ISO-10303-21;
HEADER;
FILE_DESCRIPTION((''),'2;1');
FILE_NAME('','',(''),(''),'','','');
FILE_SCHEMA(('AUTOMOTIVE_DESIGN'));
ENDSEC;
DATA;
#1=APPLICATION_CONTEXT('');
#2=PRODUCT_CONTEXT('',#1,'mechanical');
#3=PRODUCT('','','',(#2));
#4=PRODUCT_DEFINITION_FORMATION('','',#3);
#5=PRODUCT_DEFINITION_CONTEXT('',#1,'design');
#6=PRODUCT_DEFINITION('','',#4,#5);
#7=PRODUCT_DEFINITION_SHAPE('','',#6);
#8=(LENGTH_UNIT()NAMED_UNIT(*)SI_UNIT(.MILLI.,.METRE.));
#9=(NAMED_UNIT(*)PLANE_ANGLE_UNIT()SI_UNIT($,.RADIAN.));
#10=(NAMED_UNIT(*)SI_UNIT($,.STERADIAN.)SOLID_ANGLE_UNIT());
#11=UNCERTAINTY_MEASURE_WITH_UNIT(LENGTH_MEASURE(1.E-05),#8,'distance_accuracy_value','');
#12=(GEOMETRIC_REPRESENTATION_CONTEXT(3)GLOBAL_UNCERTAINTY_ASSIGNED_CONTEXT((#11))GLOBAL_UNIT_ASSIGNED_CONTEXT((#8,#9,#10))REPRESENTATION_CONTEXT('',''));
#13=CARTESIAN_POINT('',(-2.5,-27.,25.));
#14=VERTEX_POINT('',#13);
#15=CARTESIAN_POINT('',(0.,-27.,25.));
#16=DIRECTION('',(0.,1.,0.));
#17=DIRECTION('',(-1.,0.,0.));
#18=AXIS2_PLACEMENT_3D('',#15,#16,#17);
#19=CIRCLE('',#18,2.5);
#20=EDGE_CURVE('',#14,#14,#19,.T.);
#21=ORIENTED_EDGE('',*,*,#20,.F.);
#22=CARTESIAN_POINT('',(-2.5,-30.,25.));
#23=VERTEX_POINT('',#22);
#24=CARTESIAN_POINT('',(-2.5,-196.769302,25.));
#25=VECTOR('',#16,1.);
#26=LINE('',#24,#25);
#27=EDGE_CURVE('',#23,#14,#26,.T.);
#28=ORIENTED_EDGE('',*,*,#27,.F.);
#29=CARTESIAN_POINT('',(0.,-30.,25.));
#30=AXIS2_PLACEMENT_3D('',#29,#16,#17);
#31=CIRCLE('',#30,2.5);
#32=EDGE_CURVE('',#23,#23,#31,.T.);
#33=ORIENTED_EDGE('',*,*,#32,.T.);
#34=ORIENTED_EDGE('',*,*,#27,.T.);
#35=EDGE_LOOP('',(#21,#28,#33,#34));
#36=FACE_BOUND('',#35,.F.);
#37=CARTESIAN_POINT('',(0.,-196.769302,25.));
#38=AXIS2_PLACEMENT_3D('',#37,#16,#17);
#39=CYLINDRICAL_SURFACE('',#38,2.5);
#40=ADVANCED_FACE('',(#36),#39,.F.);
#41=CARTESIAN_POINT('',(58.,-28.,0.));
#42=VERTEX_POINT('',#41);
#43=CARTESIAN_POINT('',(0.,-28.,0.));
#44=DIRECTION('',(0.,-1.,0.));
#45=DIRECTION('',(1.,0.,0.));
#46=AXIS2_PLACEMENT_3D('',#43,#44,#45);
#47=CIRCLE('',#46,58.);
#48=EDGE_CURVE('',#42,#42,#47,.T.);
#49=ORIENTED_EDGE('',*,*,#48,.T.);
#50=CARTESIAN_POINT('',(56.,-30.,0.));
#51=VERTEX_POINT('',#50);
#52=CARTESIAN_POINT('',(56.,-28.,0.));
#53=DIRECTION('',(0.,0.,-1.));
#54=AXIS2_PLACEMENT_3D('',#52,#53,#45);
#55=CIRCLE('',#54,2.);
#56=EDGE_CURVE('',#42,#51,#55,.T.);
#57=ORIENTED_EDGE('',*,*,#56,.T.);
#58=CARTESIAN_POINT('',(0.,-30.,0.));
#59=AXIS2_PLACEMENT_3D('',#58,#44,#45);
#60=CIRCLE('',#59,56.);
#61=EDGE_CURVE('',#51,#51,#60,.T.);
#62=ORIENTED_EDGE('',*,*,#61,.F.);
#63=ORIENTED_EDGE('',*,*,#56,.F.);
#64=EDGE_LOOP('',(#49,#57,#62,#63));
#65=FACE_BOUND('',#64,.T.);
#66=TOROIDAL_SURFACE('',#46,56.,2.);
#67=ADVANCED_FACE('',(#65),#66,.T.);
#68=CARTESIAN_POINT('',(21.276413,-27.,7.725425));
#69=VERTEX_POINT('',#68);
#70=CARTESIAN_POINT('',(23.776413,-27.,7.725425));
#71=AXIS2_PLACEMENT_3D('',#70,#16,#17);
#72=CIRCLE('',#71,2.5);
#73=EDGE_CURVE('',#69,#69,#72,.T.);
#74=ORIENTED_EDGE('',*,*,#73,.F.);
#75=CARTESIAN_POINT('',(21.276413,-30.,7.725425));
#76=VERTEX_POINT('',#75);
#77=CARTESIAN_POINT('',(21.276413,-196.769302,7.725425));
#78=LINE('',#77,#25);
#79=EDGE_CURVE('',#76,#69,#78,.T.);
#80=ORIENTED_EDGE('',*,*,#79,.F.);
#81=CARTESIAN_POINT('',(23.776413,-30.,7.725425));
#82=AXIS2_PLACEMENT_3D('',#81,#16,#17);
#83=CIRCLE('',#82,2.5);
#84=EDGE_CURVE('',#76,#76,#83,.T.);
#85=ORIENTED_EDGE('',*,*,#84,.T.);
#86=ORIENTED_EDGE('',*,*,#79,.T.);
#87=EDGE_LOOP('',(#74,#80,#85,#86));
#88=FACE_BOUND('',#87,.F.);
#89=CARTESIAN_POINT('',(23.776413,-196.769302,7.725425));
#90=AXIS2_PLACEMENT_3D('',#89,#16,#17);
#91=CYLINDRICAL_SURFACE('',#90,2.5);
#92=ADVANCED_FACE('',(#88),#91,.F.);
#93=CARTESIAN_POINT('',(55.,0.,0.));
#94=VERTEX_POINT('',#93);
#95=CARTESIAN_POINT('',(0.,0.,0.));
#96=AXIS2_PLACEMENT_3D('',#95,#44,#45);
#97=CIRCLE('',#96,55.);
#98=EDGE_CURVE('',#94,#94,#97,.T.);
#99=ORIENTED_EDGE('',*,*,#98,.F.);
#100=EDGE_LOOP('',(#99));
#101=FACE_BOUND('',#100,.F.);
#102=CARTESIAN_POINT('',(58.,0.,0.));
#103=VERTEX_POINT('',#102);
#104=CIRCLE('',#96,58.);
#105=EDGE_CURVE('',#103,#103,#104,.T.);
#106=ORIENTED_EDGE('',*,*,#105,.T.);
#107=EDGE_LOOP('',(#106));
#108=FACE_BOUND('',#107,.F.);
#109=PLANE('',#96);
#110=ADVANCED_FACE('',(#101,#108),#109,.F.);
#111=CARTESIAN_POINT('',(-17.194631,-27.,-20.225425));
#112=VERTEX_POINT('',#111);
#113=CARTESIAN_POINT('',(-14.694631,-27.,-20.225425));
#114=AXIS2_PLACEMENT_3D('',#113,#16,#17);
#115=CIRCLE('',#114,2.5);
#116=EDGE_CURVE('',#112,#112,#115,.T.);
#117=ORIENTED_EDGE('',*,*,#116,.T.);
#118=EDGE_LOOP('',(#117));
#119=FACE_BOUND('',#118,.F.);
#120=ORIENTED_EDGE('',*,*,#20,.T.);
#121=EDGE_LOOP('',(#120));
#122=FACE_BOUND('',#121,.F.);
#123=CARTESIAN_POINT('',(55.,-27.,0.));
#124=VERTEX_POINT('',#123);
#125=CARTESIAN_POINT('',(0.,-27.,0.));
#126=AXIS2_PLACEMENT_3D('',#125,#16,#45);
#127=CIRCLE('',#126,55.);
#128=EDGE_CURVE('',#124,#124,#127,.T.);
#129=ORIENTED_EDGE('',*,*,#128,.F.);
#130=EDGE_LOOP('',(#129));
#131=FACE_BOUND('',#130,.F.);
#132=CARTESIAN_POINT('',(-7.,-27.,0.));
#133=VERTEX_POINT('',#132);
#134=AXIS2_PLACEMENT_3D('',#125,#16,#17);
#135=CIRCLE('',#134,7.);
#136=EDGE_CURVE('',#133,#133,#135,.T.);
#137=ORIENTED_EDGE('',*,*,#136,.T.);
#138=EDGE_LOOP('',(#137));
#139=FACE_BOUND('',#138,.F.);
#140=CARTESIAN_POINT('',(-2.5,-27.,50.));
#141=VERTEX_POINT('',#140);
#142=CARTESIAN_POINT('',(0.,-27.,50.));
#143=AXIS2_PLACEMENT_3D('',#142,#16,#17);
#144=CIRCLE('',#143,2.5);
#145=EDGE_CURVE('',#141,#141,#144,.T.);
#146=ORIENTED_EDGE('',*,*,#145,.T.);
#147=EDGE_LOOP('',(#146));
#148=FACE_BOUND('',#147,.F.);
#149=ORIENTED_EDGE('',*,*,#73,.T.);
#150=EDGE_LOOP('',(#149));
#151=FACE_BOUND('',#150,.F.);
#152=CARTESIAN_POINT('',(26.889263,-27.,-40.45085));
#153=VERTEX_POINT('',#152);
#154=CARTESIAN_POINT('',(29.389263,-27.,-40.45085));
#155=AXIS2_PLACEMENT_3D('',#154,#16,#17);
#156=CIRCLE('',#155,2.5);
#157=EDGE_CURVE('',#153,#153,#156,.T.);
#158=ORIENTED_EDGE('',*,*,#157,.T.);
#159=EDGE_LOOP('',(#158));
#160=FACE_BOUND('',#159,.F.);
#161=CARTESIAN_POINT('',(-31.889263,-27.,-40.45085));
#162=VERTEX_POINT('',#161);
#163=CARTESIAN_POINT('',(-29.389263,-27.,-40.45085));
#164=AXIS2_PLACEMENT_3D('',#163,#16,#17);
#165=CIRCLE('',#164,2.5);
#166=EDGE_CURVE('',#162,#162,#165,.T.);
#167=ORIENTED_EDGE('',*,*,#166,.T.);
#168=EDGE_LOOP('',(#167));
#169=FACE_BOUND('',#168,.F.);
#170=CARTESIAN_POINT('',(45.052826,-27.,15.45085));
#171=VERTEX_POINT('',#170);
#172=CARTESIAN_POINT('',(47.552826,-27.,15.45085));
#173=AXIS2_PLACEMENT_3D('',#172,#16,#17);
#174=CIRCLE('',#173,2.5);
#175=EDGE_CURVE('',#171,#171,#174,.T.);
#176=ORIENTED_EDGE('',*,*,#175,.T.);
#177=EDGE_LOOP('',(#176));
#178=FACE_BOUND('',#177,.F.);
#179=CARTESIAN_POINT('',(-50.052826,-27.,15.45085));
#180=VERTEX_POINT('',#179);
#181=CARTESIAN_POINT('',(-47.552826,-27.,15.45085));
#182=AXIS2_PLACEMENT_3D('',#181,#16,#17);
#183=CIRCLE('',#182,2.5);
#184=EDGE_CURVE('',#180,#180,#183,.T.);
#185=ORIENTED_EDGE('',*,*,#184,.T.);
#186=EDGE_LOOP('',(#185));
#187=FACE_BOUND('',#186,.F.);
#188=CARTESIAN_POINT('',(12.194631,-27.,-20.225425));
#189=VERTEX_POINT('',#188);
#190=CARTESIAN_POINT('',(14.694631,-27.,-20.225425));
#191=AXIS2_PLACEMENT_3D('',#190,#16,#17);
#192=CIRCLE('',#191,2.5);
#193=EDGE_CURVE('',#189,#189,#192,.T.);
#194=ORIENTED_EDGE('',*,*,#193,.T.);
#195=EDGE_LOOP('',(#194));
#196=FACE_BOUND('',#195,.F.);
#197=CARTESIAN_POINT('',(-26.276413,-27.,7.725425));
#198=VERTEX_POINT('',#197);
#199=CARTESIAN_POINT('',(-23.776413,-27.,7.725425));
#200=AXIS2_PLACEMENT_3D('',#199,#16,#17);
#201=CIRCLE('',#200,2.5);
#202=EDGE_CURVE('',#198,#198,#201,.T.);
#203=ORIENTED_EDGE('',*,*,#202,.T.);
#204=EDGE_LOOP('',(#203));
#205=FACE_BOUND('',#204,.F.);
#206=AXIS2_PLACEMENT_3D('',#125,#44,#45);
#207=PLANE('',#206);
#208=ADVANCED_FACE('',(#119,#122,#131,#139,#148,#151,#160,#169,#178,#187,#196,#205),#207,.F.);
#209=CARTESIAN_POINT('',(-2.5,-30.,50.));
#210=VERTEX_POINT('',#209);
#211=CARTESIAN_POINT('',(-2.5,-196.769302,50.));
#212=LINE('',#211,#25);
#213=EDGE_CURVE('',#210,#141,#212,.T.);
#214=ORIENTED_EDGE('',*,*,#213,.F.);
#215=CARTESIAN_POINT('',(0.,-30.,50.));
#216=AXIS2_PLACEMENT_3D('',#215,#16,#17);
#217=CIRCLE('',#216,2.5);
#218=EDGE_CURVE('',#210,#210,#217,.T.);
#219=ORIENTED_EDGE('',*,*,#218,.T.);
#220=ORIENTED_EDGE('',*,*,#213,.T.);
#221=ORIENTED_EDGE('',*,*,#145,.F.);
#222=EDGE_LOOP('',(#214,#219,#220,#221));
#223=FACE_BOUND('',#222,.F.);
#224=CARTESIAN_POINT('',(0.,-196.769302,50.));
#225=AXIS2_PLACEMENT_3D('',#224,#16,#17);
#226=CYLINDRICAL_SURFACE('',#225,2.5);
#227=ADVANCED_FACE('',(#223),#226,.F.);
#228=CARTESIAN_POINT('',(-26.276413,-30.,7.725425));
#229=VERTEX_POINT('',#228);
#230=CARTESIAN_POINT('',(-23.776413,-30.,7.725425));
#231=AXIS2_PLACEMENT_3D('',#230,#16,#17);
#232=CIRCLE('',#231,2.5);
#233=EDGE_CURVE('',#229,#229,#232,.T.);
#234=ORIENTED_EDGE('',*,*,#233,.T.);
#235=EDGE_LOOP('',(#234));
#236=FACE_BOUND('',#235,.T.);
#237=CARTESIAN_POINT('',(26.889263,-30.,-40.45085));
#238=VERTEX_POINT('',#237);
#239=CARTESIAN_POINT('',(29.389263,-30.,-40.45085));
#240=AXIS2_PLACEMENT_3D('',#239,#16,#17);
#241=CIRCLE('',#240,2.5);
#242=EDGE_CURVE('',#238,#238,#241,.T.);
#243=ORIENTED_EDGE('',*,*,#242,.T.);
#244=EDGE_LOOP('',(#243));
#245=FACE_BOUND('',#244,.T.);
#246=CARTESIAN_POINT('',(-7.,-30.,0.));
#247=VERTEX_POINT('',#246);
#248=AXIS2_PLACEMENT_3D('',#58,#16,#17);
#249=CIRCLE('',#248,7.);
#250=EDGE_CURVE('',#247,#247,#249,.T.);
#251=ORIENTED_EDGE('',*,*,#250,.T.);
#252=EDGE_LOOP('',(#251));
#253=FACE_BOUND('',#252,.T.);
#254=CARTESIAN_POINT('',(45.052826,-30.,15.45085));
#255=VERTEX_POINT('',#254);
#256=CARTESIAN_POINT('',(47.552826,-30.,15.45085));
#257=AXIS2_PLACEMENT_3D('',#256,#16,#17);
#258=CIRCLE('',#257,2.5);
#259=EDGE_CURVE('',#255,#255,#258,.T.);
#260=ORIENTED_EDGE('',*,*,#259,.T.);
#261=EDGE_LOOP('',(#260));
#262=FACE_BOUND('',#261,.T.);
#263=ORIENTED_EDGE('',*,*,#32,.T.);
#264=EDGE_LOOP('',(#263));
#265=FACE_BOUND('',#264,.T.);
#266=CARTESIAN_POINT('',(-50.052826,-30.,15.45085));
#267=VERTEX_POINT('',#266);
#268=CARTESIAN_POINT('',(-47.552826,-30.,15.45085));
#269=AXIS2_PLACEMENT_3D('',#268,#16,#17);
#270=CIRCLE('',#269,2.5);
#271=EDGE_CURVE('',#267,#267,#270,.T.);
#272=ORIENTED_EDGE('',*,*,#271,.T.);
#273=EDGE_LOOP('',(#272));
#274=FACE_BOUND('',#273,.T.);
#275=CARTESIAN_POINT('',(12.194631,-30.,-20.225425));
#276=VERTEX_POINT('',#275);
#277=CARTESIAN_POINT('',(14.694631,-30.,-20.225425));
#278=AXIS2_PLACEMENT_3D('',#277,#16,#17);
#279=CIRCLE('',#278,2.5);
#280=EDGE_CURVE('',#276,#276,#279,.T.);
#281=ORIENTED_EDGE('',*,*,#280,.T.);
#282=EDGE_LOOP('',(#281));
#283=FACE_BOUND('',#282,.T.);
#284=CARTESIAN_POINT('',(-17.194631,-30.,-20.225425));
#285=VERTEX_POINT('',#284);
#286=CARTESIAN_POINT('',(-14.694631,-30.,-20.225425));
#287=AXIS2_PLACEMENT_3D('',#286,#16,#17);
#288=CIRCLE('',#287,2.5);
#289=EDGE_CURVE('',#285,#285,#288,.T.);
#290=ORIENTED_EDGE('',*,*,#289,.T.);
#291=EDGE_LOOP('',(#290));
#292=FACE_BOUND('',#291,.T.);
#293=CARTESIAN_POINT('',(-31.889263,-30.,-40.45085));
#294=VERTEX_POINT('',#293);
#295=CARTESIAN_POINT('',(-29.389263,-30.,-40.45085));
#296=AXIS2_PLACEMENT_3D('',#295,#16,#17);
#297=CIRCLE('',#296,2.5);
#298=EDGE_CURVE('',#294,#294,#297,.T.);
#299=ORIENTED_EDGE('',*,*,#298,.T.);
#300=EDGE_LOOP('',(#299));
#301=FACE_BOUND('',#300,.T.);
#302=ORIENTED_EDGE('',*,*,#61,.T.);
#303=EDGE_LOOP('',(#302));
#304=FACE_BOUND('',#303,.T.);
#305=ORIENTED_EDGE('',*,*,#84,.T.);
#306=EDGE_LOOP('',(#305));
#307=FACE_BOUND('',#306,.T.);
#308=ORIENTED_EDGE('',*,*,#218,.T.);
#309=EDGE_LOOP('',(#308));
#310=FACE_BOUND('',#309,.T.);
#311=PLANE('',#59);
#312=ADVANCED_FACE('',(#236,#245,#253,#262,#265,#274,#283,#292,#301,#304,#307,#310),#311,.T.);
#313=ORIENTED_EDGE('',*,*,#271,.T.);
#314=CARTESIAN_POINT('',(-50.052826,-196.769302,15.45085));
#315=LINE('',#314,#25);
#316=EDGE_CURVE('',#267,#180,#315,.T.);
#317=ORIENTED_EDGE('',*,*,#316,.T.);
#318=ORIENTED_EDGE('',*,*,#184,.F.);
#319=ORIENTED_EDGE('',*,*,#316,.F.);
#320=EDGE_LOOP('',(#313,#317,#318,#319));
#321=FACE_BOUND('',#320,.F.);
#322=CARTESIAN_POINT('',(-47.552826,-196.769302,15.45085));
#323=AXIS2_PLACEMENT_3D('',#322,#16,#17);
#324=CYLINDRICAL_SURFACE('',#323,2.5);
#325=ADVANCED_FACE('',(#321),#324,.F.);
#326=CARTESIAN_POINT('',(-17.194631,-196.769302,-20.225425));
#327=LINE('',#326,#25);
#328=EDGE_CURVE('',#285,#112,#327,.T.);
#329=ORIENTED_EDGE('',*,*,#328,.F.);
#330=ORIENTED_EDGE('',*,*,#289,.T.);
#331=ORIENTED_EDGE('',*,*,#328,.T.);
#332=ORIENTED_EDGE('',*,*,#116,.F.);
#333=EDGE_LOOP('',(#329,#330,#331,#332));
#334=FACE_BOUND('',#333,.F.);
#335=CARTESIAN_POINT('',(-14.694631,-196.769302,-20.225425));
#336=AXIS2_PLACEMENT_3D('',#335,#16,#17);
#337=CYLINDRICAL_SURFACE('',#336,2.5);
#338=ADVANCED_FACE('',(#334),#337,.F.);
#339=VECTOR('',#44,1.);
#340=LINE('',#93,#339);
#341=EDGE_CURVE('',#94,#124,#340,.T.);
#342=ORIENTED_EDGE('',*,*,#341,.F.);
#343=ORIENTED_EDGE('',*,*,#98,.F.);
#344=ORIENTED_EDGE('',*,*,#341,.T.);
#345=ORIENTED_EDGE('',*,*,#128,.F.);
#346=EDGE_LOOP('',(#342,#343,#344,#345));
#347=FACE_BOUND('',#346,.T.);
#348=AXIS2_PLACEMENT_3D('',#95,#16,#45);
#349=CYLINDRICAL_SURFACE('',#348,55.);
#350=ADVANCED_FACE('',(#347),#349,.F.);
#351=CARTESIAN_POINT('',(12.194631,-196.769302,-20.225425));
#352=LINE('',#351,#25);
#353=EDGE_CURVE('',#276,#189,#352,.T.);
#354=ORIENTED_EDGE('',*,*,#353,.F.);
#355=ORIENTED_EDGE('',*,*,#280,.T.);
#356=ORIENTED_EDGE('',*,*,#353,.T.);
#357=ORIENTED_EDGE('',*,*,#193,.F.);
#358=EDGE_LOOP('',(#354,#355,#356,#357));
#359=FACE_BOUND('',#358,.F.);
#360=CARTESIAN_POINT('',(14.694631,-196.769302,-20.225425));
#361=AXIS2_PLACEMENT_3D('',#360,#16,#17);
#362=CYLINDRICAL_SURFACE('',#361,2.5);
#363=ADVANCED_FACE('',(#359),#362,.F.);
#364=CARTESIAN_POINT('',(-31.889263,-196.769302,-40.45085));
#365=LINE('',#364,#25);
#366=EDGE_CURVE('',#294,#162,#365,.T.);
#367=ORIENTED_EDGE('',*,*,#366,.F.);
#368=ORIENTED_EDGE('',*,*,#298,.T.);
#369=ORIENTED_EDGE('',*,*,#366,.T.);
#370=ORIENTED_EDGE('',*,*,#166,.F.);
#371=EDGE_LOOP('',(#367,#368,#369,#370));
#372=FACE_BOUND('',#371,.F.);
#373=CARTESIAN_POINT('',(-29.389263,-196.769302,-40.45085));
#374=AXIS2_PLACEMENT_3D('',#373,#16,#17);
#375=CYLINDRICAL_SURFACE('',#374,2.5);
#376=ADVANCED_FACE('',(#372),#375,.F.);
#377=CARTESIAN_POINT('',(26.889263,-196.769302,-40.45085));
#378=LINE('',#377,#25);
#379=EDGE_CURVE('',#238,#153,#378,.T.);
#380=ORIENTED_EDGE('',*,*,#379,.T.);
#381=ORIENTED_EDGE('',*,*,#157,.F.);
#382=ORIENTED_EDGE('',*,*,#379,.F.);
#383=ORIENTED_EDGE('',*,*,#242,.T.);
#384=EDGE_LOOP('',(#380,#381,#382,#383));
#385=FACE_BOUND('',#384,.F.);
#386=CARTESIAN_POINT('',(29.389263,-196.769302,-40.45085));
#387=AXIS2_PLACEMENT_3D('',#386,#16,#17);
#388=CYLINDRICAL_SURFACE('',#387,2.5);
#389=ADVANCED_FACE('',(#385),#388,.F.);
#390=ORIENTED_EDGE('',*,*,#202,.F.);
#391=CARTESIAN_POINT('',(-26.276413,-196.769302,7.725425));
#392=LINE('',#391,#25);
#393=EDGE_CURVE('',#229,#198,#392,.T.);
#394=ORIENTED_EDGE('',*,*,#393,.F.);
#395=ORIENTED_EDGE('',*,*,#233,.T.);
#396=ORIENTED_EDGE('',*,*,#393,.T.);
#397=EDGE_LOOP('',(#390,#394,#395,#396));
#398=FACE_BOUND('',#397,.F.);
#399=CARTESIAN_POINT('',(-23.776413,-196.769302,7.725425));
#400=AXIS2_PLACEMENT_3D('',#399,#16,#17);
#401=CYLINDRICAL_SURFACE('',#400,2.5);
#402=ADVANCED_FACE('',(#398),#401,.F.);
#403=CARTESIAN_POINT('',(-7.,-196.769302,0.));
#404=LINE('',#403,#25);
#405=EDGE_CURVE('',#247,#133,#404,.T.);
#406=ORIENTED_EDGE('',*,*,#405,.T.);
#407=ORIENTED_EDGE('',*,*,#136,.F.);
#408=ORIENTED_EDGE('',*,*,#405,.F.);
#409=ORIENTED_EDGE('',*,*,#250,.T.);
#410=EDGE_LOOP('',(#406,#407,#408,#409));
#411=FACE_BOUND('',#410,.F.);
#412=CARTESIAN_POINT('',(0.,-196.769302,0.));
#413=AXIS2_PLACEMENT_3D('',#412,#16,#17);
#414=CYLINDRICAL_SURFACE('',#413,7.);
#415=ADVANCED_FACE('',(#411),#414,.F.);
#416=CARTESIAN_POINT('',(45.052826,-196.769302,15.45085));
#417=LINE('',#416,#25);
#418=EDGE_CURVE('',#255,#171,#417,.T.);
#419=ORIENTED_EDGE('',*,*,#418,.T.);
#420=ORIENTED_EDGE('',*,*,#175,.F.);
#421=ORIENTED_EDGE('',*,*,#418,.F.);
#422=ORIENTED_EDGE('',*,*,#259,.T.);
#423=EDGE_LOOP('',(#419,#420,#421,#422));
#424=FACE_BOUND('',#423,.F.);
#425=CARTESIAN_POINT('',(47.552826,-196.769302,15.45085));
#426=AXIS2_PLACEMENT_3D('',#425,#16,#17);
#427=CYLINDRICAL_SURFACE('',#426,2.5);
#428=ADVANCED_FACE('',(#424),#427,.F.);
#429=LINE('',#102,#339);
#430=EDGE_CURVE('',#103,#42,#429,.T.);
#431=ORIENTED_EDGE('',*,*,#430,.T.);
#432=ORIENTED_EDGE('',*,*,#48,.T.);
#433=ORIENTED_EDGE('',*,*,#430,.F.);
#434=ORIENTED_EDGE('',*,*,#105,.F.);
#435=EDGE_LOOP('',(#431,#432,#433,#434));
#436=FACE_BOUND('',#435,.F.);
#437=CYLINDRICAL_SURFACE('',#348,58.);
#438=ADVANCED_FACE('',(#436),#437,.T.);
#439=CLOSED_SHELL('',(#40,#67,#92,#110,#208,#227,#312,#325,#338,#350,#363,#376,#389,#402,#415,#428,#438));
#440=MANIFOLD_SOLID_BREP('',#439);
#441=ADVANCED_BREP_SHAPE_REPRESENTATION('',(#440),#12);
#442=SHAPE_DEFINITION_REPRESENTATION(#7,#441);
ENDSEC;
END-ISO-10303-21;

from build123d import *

# Parameters (mm, degrees)
F0_R     = 58
F1_DEPTH = 30
F2_T     = -3
F3_R     = 2
F5_D     = 14
F7_D     = 5


with BuildPart() as f1:
    # F0 (on Front) → F1 (new body)
    with BuildSketch(Plane.XZ):
        Circle(F0_R)
    extrude(amount=F1_DEPTH)

    # F2
    f2_openings = [f1.faces().sort_by_distance(p)[0] for p in [
        (0, 0, 0),
    ]]
    offset(amount=F2_T, openings=f2_openings)

    # F3
    f3_edges = [f1.edges().sort_by_distance(p)[0] for p in [
        (-58, -30, 0),
    ]]
    fillet(f3_edges, radius=F3_R)

    # F5 (through all)
    with Locations(Plane.XZ.offset(30)):
        with Locations((0, 0)):
            Hole(F5_D / 2)

    # F7 (through all)
    with Locations(Plane.XZ.offset(30)):
        with Locations((0, 25), (0, 50), (-23.776413, 7.725425), (-47.552826, 15.45085), (-29.389263, -40.45085), (-14.694631, -20.225425), (14.694631, -20.225425), (29.389263, -40.45085), (23.776413, 7.725425), (47.552826, 15.45085)):
            Hole(F7_D / 2)


solid = f1.part
